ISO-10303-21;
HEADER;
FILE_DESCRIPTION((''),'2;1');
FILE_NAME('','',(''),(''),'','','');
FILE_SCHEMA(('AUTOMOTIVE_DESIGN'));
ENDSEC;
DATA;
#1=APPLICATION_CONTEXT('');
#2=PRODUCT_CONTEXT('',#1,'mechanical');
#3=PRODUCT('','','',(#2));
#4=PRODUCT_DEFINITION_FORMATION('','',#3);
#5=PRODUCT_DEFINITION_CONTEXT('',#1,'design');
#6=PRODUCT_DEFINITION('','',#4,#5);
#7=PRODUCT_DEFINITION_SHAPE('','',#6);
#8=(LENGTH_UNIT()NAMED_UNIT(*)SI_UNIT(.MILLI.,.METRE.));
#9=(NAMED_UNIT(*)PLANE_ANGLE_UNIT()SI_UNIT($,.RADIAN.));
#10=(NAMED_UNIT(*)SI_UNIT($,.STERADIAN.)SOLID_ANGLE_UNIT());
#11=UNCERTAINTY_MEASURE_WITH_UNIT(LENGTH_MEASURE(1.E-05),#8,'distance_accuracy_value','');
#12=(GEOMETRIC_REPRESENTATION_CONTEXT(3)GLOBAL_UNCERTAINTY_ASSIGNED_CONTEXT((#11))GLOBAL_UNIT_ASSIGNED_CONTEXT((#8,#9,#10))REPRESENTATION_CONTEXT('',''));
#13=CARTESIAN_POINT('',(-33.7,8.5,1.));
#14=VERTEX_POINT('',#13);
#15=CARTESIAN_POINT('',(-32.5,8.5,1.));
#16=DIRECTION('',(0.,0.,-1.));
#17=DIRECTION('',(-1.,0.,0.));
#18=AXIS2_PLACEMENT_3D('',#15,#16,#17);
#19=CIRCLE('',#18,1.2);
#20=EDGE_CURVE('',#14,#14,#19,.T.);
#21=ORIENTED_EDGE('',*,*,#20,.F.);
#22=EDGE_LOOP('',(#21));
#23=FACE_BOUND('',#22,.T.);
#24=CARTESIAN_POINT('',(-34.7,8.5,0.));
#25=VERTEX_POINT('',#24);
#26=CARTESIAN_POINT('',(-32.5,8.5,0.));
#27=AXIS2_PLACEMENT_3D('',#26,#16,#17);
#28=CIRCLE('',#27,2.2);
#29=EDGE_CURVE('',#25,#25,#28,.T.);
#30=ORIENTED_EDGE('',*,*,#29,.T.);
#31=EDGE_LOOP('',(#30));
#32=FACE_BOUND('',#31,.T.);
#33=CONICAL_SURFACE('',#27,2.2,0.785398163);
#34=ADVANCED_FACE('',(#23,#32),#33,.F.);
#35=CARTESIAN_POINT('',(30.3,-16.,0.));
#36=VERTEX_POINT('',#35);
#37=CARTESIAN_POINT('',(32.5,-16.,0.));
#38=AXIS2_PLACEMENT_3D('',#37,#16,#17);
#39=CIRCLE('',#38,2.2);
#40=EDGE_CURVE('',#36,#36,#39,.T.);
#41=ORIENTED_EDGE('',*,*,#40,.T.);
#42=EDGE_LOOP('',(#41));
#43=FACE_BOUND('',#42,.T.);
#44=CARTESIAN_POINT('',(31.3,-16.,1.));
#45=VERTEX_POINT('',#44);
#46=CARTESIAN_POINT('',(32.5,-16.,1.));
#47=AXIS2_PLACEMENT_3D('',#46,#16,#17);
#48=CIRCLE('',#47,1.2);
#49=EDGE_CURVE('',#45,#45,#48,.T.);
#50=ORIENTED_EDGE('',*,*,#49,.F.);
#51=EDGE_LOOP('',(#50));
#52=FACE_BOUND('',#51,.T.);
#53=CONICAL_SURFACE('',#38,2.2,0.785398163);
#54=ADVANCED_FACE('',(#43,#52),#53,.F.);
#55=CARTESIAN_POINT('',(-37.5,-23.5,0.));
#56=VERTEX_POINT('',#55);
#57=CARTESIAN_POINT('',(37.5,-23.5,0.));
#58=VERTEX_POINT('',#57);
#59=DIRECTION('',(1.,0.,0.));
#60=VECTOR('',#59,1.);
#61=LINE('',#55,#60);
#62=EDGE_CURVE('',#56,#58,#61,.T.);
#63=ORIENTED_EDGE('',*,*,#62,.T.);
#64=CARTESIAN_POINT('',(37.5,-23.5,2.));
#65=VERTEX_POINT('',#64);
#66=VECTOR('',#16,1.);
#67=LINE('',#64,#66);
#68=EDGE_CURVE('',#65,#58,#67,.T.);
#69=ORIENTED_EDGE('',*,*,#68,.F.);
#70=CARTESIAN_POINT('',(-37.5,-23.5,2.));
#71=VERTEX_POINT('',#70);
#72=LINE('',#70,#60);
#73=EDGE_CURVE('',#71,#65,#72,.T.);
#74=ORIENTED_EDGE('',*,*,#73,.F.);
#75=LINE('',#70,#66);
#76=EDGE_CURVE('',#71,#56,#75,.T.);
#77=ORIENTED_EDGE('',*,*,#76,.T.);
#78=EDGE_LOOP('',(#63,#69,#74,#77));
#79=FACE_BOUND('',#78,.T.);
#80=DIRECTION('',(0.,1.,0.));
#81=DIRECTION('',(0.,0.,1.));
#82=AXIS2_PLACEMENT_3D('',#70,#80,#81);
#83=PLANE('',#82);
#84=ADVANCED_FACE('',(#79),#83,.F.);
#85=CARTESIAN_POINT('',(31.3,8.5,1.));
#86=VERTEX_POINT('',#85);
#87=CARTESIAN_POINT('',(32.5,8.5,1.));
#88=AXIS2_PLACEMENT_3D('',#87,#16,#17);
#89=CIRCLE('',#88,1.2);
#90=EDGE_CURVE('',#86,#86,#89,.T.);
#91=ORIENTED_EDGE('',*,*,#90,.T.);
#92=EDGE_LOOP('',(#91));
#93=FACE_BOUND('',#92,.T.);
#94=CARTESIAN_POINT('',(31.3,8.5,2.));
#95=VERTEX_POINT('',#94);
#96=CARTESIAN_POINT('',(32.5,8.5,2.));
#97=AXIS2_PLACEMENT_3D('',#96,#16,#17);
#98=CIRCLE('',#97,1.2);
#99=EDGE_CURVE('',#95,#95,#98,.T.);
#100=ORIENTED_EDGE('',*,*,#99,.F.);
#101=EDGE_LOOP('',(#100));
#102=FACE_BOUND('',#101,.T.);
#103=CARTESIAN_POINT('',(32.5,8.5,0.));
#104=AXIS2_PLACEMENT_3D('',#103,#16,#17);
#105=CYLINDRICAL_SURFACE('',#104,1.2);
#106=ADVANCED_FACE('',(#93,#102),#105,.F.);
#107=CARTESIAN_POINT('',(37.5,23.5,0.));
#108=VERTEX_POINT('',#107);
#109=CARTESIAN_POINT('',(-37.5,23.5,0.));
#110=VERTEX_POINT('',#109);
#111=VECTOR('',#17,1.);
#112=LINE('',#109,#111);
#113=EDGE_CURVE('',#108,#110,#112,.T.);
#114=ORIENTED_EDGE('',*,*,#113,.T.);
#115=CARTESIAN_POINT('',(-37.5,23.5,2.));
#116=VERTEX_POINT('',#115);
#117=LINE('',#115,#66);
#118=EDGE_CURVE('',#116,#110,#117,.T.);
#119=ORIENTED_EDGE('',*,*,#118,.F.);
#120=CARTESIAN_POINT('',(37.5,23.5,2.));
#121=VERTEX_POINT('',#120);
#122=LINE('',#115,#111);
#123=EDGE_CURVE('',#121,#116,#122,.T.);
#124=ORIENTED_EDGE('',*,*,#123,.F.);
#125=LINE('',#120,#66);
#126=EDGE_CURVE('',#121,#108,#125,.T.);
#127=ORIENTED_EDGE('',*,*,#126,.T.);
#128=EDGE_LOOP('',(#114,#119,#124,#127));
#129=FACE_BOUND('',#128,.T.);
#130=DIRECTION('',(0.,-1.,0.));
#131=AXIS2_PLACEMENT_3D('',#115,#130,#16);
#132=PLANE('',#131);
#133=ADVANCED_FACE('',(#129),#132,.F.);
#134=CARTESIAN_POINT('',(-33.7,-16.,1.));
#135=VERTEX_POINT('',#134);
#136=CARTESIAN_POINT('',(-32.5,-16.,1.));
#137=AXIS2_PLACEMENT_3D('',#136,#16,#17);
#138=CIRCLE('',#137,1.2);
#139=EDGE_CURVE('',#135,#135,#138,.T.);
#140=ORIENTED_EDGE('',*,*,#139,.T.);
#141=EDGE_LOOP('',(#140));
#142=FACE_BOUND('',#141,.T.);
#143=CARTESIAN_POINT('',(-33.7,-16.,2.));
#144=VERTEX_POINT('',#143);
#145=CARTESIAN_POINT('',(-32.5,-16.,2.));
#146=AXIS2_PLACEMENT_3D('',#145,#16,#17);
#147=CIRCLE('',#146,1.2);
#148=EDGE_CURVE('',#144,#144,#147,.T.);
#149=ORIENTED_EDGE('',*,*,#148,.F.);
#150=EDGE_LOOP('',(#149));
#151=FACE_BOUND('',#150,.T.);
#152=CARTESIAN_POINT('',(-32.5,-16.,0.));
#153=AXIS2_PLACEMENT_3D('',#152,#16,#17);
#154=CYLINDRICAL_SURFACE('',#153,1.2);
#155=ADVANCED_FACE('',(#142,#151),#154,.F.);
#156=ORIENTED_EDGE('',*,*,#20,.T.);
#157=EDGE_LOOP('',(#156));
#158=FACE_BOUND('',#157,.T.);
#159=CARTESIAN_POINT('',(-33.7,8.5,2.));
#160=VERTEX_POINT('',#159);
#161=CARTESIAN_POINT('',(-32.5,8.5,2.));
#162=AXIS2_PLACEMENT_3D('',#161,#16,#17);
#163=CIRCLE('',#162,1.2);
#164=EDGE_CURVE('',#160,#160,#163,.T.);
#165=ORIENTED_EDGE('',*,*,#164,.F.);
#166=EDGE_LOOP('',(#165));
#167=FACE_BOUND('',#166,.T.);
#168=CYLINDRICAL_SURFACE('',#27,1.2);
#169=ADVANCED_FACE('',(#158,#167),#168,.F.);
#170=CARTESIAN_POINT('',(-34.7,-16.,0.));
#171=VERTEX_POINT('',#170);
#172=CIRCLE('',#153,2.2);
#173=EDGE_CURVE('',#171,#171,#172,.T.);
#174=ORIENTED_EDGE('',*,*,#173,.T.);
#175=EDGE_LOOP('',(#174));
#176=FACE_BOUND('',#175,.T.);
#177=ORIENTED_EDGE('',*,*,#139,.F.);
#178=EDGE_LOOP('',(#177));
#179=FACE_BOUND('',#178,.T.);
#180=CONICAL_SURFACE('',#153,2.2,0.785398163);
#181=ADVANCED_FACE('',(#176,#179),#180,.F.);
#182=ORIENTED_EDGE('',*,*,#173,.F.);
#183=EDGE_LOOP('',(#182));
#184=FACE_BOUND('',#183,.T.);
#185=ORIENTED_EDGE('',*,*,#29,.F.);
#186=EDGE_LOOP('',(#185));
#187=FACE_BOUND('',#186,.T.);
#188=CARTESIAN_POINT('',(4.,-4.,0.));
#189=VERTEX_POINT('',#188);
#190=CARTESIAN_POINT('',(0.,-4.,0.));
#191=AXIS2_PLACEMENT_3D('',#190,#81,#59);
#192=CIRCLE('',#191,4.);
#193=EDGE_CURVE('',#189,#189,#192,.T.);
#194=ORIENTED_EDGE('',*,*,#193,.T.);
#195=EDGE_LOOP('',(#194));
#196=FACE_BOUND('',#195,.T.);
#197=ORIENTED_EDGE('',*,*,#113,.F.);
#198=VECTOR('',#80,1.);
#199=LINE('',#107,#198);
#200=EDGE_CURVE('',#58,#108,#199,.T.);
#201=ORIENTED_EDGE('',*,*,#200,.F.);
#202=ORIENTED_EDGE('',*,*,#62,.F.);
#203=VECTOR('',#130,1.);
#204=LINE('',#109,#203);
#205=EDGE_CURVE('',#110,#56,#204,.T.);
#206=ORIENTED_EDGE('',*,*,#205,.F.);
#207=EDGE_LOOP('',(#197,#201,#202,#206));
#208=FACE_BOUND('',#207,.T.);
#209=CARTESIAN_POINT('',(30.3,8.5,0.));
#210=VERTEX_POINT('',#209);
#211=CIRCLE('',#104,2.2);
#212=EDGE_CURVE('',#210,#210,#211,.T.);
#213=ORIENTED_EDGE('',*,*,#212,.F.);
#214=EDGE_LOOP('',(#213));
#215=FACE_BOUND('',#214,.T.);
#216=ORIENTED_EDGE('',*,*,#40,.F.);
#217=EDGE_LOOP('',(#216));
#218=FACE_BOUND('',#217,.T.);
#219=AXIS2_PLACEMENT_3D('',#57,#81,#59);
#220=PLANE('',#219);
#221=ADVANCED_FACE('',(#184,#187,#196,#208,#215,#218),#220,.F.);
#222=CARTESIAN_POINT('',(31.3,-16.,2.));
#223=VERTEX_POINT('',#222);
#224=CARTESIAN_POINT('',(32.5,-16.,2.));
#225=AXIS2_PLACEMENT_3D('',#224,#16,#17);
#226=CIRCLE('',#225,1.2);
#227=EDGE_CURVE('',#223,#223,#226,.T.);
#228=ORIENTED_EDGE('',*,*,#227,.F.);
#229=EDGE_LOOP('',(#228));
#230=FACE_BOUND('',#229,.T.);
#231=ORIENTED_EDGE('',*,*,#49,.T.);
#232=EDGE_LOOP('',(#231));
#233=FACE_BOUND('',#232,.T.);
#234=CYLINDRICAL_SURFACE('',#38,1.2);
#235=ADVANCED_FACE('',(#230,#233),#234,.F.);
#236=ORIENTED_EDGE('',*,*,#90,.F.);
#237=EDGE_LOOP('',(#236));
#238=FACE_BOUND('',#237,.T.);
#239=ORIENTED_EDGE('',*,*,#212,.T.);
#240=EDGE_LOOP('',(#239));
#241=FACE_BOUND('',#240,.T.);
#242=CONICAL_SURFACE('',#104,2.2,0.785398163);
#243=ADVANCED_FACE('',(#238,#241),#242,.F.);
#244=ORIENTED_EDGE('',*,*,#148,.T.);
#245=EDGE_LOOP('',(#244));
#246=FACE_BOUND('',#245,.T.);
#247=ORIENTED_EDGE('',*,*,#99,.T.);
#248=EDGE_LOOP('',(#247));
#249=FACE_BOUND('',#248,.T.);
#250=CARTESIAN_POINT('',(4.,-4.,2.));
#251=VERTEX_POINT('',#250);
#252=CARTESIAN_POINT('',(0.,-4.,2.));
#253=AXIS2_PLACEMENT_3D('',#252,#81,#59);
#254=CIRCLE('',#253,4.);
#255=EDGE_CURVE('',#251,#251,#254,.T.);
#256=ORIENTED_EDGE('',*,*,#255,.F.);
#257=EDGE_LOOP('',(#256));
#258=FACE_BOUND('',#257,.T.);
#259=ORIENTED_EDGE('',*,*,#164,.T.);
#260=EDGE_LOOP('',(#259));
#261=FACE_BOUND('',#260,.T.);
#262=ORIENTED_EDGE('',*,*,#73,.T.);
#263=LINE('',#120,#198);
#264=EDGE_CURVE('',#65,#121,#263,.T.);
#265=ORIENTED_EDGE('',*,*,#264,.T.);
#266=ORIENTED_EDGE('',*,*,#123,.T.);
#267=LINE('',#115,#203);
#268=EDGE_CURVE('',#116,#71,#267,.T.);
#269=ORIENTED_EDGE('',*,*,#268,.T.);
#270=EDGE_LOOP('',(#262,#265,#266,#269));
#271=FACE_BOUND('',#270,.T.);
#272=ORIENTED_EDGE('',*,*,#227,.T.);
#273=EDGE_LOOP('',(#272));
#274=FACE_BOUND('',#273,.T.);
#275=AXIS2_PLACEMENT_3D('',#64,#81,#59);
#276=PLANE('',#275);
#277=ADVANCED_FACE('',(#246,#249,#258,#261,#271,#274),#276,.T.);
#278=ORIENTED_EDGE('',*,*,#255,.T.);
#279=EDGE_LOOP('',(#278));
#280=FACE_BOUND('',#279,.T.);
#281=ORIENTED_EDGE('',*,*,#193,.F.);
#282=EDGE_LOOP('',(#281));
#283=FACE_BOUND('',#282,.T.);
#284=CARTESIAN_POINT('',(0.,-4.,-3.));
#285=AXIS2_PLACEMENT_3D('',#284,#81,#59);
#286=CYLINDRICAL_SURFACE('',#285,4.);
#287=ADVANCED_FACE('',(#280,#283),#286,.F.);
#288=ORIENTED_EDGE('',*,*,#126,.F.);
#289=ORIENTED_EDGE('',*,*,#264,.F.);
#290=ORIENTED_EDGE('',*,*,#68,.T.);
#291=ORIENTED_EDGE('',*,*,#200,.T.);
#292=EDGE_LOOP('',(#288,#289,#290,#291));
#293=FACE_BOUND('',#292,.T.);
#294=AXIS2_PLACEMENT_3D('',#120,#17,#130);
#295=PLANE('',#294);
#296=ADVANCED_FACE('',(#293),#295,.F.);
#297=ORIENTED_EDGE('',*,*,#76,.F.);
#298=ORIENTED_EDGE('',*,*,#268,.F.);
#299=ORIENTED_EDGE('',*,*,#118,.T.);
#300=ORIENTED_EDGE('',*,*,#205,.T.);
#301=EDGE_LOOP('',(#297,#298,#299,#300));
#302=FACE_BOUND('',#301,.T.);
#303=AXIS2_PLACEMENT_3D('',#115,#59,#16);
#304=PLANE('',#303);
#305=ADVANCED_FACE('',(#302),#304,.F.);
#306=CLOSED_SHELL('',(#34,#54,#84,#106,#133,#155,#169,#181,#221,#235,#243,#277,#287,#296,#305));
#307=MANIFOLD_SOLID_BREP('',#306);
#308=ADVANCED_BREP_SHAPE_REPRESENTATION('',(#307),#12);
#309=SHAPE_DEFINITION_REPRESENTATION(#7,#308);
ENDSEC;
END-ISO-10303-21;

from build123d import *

# Parameters (mm, degrees)
SKETCH1_W                                    = 75
SKETCH1_H                                    = 47
BOSS_EXTRUDE1_DEPTH                          = 2
SKETCH3_R                                    = 4
CUT_EXTRUDE1_DEPTH                           = 5
CSK_FOR_M2_COUNTERSUNK_FLAT_HEAD_SCR_2_COUNT = 2
CSK_FOR_M2_COUNTERSUNK_FLAT_HEAD_SCR_2_PITCH = 24.5
CSK_FOR_M2_COUNTERSUNK_FLAT_HEAD_SCR_3_COUNT = 2
CSK_FOR_M2_COUNTERSUNK_FLAT_HEAD_SCR_3_PITCH = 65
CSK_FOR_M2_COUNTERSUNK_FLAT_HEAD_SCR_4_COUNT = 2
CSK_FOR_M2_COUNTERSUNK_FLAT_HEAD_SCR_4_PITCH = 69.464019463


with BuildPart() as part:
    # Sketch1 → Boss-Extrude1 (new body)
    with BuildSketch(Plane.XY):
        Rectangle(SKETCH1_W, SKETCH1_H)
    extrude(amount=BOSS_EXTRUDE1_DEPTH)

    # Sketch3 → Cut-Extrude1 (cut)
    with BuildSketch(Plane.XY.offset(2)):
        with Locations((0, -4)):
            Circle(SKETCH3_R)
    extrude(amount=-CUT_EXTRUDE1_DEPTH, mode=Mode.SUBTRACT)

    # Sketch5 → CSK for M2 Countersunk Flat Head Screw1 (revolve, cut)
    with BuildSketch(Plane(origin=(32.5, 8.5, 0), x_dir=(0, 1, 0), z_dir=(1, 0, 0))):
        Polygon((0, 0), (0, 2), (1.2, 2), (1.2, 1), (2.2, 0), align=None)
    csk_for_m2_countersunk_flat_head_screw1 = revolve(axis=Axis((32.5, 8.5, -6.35), (0, 0, 1)), mode=Mode.SUBTRACT)

    # CSK for M2 Countersunk Flat Head Scr 2: CSK for M2 Countersunk Flat Head Screw1 ×2
    with Locations(*[(0, -i * CSK_FOR_M2_COUNTERSUNK_FLAT_HEAD_SCR_2_PITCH, 0) for i in range(1, CSK_FOR_M2_COUNTERSUNK_FLAT_HEAD_SCR_2_COUNT)]):
        add(csk_for_m2_countersunk_flat_head_screw1, mode=Mode.SUBTRACT)

    # CSK for M2 Countersunk Flat Head Scr 3: CSK for M2 Countersunk Flat Head Screw1 ×2
    with Locations(*[(-i * CSK_FOR_M2_COUNTERSUNK_FLAT_HEAD_SCR_3_PITCH, 0, 0) for i in range(1, CSK_FOR_M2_COUNTERSUNK_FLAT_HEAD_SCR_3_COUNT)]):
        add(csk_for_m2_countersunk_flat_head_screw1, mode=Mode.SUBTRACT)

    # CSK for M2 Countersunk Flat Head Scr 4: CSK for M2 Countersunk Flat Head Screw1 ×2
    with Locations(*[Vector(-0.935736234, -0.352700581, 0) * (i * CSK_FOR_M2_COUNTERSUNK_FLAT_HEAD_SCR_4_PITCH) for i in range(1, CSK_FOR_M2_COUNTERSUNK_FLAT_HEAD_SCR_4_COUNT)]):
        add(csk_for_m2_countersunk_flat_head_screw1, mode=Mode.SUBTRACT)


solid = part.part
